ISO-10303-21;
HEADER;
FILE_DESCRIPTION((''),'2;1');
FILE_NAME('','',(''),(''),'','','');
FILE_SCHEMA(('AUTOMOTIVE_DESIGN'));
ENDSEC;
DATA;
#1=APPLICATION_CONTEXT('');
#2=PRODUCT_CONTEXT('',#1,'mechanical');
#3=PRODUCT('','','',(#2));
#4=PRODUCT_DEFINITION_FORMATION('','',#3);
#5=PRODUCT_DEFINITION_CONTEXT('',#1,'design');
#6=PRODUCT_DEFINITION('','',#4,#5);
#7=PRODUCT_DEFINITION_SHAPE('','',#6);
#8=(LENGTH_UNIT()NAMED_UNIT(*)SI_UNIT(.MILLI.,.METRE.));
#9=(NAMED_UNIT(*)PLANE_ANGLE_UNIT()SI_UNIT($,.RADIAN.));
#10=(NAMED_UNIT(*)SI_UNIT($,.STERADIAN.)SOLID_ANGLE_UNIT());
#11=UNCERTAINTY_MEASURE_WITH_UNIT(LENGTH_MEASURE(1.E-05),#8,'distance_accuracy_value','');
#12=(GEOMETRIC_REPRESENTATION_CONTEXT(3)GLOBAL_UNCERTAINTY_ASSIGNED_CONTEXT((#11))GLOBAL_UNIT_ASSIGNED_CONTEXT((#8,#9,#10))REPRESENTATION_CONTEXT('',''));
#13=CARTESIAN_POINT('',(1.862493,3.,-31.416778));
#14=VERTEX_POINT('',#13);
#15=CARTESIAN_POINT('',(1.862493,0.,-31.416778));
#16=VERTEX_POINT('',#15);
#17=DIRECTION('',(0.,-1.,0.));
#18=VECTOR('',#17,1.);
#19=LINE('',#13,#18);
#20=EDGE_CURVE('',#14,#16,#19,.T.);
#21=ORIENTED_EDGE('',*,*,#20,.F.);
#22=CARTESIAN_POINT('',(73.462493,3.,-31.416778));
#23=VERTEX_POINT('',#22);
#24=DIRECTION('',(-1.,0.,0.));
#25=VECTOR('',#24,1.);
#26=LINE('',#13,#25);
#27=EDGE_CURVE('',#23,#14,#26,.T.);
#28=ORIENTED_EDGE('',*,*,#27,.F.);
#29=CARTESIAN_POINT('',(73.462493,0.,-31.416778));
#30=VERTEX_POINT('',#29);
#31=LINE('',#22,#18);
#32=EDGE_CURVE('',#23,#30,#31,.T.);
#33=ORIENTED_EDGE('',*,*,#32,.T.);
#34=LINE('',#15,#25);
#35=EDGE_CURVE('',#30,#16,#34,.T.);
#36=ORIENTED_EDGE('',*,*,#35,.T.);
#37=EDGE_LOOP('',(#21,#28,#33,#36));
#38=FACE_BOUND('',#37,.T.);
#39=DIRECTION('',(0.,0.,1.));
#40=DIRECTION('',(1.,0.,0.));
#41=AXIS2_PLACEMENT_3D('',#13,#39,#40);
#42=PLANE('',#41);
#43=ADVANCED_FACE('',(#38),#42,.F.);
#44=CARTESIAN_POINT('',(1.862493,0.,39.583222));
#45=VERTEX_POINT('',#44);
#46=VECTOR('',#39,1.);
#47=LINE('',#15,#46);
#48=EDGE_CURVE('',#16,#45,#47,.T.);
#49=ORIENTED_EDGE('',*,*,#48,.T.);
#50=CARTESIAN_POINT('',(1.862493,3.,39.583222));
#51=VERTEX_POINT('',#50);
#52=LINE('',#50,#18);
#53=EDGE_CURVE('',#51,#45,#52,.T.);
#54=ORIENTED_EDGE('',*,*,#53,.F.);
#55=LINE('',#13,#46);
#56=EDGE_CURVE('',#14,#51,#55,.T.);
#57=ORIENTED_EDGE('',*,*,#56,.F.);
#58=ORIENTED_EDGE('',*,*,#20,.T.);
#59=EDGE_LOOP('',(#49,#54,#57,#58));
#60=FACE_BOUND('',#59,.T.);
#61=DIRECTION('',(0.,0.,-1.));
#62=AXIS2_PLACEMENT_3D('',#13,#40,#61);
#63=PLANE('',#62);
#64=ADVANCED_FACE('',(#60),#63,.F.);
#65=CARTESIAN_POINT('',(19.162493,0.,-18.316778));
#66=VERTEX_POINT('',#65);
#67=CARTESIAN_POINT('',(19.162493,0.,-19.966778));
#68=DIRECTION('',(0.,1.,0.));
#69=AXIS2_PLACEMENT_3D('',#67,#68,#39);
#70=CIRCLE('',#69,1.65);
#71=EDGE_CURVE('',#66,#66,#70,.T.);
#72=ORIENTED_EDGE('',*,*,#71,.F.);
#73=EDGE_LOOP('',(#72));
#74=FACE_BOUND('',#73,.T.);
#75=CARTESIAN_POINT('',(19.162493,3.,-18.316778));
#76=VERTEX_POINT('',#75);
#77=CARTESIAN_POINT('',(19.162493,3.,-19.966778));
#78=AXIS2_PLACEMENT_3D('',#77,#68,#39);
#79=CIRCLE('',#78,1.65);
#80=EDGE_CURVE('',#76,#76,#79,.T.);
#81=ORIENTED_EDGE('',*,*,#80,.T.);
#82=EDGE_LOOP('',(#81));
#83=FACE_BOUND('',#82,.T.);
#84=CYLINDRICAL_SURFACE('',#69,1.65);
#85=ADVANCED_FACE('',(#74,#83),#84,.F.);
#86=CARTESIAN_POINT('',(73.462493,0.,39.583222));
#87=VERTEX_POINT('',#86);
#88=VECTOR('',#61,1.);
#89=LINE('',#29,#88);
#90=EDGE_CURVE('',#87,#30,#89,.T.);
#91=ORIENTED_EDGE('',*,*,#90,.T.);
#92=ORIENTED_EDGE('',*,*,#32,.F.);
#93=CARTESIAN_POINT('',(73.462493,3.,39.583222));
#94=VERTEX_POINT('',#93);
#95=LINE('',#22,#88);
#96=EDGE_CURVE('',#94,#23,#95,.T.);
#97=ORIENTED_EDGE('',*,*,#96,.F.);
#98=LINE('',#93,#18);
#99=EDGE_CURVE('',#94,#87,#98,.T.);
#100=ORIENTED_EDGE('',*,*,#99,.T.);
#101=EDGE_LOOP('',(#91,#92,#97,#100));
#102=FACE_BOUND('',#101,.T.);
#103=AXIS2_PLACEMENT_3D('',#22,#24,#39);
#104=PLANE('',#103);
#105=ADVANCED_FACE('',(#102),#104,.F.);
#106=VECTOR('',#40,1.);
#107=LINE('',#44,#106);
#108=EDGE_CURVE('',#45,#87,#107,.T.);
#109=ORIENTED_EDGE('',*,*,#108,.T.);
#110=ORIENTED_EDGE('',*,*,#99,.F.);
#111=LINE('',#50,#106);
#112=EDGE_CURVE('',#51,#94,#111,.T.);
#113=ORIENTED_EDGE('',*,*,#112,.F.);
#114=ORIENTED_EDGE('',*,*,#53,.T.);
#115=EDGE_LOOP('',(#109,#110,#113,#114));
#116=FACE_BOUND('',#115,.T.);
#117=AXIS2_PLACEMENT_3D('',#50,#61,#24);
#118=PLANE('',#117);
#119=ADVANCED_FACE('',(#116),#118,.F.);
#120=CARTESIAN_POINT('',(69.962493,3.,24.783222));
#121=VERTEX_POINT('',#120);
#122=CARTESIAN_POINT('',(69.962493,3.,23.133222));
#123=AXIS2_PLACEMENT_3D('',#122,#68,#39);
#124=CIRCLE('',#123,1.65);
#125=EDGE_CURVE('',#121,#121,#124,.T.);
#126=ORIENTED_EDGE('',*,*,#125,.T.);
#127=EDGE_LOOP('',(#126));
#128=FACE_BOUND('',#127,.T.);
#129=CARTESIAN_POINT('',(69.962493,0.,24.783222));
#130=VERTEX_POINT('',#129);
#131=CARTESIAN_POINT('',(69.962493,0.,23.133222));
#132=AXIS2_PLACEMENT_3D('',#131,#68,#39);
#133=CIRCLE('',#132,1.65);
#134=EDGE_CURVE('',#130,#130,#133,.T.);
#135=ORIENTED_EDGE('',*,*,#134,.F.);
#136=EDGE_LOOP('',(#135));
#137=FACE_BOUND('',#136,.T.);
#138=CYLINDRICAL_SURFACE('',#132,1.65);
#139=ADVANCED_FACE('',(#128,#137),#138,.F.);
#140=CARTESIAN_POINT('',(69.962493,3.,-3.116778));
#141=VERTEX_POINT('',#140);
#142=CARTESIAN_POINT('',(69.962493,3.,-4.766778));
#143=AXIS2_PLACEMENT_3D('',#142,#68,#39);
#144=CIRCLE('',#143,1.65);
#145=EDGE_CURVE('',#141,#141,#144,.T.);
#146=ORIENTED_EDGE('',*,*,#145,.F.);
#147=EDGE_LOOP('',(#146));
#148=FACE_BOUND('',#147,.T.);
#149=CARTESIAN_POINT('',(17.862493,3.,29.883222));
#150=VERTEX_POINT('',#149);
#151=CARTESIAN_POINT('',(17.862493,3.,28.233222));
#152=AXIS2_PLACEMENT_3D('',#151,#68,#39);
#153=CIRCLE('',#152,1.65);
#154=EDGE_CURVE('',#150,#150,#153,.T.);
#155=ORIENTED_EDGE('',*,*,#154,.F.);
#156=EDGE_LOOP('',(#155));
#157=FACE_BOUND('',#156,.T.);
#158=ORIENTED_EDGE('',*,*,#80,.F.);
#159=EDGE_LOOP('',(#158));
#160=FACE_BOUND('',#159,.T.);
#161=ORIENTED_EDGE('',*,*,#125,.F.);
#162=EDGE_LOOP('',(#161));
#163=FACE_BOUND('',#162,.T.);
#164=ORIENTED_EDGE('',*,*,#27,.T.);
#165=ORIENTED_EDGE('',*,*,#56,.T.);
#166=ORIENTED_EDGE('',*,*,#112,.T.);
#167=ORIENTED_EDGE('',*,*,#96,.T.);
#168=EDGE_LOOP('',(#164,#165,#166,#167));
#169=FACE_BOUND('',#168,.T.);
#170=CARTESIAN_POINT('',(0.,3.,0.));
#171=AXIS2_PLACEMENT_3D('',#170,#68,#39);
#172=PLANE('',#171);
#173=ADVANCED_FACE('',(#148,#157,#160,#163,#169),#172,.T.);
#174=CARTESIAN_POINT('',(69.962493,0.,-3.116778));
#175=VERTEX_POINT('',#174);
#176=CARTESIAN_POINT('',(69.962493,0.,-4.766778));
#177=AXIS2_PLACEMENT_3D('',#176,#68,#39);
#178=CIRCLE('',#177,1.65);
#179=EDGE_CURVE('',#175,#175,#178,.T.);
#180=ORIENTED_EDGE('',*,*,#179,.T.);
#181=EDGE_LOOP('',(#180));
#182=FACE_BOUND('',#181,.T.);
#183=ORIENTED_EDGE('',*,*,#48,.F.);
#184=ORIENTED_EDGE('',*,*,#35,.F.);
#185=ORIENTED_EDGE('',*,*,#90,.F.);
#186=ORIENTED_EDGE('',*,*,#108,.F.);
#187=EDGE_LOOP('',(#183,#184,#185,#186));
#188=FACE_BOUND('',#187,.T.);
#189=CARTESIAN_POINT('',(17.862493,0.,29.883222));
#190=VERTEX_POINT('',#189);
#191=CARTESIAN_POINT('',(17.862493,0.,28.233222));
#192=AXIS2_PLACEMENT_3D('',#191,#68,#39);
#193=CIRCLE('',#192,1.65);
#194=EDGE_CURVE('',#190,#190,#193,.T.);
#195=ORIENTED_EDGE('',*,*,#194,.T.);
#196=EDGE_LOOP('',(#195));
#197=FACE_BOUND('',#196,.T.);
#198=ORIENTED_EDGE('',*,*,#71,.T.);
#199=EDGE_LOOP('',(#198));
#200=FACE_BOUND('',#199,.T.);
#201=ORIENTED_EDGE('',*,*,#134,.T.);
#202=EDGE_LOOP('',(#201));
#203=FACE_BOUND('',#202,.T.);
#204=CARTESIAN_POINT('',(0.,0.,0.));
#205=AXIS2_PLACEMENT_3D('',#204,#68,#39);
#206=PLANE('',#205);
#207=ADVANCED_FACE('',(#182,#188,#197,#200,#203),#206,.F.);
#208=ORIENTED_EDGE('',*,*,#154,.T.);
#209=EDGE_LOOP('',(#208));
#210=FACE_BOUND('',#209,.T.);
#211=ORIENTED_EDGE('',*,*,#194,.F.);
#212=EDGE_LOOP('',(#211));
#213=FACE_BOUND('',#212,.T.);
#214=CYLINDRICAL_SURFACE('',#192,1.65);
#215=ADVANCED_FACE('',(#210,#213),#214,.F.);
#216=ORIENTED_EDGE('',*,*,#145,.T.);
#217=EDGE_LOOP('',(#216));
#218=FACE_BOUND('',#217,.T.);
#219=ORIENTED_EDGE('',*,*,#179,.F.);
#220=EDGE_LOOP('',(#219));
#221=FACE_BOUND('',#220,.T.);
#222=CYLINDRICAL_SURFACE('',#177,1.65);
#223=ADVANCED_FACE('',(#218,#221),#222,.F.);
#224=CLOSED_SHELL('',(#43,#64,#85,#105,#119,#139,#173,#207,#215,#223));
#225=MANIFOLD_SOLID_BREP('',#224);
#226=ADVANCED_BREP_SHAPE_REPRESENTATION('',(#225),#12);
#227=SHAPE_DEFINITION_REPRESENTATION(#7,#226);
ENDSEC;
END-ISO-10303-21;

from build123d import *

# Parameters (mm, degrees)
SKETCH1_W           = 71.6
SKETCH1_H           = 71
BOSS_EXTRUDE1_DEPTH = 3
SKETCH2_R           = 1.65
CUT_EXTRUDE1_DEPTH  = 3


with BuildPart() as part:
    # Sketch1 → Boss-Extrude1 (new body)
    with BuildSketch(Plane(origin=(0, 0, 0), x_dir=(1, 0, 0), z_dir=(0, 1, 0))):
        with Locations((37.662492514, -4.083221758)):
            Rectangle(SKETCH1_W, SKETCH1_H)
    extrude(amount=BOSS_EXTRUDE1_DEPTH)

    # Sketch2 → Cut-Extrude1 (cut)
    with BuildSketch(Plane(origin=(0, 3, 0), x_dir=(1, 0, 0), z_dir=(0, 1, 0))):
        with Locations(Location((19.162492514, 19.966778242, 0), (0, 0, 270))):
            Circle(SKETCH2_R)
        with Locations(Location((17.862492514, -28.233221758, 0), (0, 0, 270))):
            Circle(SKETCH2_R)
        with Locations(Location((69.962492514, 4.766778242, 0), (0, 0, 270))):
            Circle(SKETCH2_R)
        with Locations(Location((69.962492514, -23.133221758, 0), (0, 0, 270))):
            Circle(SKETCH2_R)
    extrude(amount=-CUT_EXTRUDE1_DEPTH, mode=Mode.SUBTRACT)


solid = part.part
